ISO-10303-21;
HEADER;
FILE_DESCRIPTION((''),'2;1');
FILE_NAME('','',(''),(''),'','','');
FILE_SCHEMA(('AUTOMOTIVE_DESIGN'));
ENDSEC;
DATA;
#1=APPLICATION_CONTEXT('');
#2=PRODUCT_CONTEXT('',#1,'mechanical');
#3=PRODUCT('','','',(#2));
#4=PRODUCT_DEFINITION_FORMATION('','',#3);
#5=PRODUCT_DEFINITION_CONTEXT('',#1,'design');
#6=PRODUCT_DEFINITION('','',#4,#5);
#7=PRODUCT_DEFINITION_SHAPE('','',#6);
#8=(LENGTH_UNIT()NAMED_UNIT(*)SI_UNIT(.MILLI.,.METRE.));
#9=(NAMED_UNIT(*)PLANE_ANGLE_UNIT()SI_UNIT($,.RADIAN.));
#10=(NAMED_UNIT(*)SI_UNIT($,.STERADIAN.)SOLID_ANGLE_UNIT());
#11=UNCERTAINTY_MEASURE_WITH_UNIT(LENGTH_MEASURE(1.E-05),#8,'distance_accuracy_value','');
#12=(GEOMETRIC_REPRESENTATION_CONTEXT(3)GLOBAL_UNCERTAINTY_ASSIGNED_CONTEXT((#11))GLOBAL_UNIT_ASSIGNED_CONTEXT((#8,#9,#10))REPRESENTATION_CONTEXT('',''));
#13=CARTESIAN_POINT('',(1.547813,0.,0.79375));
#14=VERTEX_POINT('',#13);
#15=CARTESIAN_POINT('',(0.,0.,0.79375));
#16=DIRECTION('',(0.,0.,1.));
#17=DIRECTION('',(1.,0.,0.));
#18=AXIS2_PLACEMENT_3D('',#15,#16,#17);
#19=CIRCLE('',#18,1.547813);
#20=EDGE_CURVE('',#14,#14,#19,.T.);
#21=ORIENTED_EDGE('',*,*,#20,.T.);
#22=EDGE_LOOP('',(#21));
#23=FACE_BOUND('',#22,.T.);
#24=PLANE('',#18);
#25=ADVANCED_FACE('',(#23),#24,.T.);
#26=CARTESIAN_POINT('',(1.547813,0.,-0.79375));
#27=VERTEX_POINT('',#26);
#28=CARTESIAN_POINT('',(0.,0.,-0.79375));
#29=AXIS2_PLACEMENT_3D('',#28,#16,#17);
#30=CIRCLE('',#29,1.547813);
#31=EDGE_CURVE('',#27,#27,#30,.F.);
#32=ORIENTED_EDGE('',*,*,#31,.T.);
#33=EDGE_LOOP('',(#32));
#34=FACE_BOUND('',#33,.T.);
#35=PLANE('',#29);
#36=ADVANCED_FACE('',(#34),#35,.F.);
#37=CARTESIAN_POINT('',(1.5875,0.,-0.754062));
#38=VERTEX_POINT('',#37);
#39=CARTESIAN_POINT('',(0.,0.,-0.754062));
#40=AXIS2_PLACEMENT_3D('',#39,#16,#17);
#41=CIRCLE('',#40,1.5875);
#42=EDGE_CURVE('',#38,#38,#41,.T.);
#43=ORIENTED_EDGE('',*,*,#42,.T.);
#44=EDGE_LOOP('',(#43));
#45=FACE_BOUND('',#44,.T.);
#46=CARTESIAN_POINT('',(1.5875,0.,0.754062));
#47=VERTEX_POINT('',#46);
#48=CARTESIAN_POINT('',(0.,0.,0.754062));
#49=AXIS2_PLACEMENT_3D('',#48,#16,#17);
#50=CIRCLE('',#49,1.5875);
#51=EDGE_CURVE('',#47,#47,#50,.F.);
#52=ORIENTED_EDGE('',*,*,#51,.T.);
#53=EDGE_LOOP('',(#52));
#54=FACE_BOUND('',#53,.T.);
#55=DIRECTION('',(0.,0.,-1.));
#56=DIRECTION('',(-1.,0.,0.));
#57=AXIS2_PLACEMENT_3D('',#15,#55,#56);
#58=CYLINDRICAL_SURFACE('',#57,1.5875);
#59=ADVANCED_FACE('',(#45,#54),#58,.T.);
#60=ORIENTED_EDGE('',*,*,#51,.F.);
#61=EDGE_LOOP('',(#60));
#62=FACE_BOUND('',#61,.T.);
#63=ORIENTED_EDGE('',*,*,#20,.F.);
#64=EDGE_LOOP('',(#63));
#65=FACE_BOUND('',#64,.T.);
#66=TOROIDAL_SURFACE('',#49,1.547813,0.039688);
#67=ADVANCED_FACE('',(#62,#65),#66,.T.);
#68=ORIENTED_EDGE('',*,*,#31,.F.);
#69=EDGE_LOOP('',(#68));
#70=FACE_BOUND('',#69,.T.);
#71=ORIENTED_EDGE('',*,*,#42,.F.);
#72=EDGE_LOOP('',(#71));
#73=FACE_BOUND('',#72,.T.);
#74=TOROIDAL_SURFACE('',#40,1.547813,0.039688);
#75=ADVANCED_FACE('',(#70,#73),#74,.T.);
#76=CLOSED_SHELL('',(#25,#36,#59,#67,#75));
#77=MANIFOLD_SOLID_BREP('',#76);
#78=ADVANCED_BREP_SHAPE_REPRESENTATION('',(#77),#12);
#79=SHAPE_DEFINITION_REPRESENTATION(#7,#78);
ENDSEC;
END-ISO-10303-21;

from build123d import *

# Parameters (mm, degrees)
SKETCH3_R                = 1.5875
BOSS_EXTRUDE1_DEPTH      = 0.79375
BOSS_EXTRUDE1_DEPTH_BACK = 0.79375
FILLET1_R                = 0.0396875


with BuildPart() as part:
    # Sketch3 → Boss-Extrude1 (new body, two sides)
    with BuildSketch(Plane.XY) as boss_extrude1_sk:
        Circle(SKETCH3_R)
    extrude(amount=BOSS_EXTRUDE1_DEPTH)
    extrude(boss_extrude1_sk.sketch, amount=-BOSS_EXTRUDE1_DEPTH_BACK)

    # Fillet1
    fillet1_edges = [part.edges().sort_by_distance(p)[0] for p in [
        (-1.5875, 0, -0.79375),
        (-1.5875, 0, 0.79375),
    ]]
    fillet(fillet1_edges, radius=FILLET1_R)


solid = part.part
